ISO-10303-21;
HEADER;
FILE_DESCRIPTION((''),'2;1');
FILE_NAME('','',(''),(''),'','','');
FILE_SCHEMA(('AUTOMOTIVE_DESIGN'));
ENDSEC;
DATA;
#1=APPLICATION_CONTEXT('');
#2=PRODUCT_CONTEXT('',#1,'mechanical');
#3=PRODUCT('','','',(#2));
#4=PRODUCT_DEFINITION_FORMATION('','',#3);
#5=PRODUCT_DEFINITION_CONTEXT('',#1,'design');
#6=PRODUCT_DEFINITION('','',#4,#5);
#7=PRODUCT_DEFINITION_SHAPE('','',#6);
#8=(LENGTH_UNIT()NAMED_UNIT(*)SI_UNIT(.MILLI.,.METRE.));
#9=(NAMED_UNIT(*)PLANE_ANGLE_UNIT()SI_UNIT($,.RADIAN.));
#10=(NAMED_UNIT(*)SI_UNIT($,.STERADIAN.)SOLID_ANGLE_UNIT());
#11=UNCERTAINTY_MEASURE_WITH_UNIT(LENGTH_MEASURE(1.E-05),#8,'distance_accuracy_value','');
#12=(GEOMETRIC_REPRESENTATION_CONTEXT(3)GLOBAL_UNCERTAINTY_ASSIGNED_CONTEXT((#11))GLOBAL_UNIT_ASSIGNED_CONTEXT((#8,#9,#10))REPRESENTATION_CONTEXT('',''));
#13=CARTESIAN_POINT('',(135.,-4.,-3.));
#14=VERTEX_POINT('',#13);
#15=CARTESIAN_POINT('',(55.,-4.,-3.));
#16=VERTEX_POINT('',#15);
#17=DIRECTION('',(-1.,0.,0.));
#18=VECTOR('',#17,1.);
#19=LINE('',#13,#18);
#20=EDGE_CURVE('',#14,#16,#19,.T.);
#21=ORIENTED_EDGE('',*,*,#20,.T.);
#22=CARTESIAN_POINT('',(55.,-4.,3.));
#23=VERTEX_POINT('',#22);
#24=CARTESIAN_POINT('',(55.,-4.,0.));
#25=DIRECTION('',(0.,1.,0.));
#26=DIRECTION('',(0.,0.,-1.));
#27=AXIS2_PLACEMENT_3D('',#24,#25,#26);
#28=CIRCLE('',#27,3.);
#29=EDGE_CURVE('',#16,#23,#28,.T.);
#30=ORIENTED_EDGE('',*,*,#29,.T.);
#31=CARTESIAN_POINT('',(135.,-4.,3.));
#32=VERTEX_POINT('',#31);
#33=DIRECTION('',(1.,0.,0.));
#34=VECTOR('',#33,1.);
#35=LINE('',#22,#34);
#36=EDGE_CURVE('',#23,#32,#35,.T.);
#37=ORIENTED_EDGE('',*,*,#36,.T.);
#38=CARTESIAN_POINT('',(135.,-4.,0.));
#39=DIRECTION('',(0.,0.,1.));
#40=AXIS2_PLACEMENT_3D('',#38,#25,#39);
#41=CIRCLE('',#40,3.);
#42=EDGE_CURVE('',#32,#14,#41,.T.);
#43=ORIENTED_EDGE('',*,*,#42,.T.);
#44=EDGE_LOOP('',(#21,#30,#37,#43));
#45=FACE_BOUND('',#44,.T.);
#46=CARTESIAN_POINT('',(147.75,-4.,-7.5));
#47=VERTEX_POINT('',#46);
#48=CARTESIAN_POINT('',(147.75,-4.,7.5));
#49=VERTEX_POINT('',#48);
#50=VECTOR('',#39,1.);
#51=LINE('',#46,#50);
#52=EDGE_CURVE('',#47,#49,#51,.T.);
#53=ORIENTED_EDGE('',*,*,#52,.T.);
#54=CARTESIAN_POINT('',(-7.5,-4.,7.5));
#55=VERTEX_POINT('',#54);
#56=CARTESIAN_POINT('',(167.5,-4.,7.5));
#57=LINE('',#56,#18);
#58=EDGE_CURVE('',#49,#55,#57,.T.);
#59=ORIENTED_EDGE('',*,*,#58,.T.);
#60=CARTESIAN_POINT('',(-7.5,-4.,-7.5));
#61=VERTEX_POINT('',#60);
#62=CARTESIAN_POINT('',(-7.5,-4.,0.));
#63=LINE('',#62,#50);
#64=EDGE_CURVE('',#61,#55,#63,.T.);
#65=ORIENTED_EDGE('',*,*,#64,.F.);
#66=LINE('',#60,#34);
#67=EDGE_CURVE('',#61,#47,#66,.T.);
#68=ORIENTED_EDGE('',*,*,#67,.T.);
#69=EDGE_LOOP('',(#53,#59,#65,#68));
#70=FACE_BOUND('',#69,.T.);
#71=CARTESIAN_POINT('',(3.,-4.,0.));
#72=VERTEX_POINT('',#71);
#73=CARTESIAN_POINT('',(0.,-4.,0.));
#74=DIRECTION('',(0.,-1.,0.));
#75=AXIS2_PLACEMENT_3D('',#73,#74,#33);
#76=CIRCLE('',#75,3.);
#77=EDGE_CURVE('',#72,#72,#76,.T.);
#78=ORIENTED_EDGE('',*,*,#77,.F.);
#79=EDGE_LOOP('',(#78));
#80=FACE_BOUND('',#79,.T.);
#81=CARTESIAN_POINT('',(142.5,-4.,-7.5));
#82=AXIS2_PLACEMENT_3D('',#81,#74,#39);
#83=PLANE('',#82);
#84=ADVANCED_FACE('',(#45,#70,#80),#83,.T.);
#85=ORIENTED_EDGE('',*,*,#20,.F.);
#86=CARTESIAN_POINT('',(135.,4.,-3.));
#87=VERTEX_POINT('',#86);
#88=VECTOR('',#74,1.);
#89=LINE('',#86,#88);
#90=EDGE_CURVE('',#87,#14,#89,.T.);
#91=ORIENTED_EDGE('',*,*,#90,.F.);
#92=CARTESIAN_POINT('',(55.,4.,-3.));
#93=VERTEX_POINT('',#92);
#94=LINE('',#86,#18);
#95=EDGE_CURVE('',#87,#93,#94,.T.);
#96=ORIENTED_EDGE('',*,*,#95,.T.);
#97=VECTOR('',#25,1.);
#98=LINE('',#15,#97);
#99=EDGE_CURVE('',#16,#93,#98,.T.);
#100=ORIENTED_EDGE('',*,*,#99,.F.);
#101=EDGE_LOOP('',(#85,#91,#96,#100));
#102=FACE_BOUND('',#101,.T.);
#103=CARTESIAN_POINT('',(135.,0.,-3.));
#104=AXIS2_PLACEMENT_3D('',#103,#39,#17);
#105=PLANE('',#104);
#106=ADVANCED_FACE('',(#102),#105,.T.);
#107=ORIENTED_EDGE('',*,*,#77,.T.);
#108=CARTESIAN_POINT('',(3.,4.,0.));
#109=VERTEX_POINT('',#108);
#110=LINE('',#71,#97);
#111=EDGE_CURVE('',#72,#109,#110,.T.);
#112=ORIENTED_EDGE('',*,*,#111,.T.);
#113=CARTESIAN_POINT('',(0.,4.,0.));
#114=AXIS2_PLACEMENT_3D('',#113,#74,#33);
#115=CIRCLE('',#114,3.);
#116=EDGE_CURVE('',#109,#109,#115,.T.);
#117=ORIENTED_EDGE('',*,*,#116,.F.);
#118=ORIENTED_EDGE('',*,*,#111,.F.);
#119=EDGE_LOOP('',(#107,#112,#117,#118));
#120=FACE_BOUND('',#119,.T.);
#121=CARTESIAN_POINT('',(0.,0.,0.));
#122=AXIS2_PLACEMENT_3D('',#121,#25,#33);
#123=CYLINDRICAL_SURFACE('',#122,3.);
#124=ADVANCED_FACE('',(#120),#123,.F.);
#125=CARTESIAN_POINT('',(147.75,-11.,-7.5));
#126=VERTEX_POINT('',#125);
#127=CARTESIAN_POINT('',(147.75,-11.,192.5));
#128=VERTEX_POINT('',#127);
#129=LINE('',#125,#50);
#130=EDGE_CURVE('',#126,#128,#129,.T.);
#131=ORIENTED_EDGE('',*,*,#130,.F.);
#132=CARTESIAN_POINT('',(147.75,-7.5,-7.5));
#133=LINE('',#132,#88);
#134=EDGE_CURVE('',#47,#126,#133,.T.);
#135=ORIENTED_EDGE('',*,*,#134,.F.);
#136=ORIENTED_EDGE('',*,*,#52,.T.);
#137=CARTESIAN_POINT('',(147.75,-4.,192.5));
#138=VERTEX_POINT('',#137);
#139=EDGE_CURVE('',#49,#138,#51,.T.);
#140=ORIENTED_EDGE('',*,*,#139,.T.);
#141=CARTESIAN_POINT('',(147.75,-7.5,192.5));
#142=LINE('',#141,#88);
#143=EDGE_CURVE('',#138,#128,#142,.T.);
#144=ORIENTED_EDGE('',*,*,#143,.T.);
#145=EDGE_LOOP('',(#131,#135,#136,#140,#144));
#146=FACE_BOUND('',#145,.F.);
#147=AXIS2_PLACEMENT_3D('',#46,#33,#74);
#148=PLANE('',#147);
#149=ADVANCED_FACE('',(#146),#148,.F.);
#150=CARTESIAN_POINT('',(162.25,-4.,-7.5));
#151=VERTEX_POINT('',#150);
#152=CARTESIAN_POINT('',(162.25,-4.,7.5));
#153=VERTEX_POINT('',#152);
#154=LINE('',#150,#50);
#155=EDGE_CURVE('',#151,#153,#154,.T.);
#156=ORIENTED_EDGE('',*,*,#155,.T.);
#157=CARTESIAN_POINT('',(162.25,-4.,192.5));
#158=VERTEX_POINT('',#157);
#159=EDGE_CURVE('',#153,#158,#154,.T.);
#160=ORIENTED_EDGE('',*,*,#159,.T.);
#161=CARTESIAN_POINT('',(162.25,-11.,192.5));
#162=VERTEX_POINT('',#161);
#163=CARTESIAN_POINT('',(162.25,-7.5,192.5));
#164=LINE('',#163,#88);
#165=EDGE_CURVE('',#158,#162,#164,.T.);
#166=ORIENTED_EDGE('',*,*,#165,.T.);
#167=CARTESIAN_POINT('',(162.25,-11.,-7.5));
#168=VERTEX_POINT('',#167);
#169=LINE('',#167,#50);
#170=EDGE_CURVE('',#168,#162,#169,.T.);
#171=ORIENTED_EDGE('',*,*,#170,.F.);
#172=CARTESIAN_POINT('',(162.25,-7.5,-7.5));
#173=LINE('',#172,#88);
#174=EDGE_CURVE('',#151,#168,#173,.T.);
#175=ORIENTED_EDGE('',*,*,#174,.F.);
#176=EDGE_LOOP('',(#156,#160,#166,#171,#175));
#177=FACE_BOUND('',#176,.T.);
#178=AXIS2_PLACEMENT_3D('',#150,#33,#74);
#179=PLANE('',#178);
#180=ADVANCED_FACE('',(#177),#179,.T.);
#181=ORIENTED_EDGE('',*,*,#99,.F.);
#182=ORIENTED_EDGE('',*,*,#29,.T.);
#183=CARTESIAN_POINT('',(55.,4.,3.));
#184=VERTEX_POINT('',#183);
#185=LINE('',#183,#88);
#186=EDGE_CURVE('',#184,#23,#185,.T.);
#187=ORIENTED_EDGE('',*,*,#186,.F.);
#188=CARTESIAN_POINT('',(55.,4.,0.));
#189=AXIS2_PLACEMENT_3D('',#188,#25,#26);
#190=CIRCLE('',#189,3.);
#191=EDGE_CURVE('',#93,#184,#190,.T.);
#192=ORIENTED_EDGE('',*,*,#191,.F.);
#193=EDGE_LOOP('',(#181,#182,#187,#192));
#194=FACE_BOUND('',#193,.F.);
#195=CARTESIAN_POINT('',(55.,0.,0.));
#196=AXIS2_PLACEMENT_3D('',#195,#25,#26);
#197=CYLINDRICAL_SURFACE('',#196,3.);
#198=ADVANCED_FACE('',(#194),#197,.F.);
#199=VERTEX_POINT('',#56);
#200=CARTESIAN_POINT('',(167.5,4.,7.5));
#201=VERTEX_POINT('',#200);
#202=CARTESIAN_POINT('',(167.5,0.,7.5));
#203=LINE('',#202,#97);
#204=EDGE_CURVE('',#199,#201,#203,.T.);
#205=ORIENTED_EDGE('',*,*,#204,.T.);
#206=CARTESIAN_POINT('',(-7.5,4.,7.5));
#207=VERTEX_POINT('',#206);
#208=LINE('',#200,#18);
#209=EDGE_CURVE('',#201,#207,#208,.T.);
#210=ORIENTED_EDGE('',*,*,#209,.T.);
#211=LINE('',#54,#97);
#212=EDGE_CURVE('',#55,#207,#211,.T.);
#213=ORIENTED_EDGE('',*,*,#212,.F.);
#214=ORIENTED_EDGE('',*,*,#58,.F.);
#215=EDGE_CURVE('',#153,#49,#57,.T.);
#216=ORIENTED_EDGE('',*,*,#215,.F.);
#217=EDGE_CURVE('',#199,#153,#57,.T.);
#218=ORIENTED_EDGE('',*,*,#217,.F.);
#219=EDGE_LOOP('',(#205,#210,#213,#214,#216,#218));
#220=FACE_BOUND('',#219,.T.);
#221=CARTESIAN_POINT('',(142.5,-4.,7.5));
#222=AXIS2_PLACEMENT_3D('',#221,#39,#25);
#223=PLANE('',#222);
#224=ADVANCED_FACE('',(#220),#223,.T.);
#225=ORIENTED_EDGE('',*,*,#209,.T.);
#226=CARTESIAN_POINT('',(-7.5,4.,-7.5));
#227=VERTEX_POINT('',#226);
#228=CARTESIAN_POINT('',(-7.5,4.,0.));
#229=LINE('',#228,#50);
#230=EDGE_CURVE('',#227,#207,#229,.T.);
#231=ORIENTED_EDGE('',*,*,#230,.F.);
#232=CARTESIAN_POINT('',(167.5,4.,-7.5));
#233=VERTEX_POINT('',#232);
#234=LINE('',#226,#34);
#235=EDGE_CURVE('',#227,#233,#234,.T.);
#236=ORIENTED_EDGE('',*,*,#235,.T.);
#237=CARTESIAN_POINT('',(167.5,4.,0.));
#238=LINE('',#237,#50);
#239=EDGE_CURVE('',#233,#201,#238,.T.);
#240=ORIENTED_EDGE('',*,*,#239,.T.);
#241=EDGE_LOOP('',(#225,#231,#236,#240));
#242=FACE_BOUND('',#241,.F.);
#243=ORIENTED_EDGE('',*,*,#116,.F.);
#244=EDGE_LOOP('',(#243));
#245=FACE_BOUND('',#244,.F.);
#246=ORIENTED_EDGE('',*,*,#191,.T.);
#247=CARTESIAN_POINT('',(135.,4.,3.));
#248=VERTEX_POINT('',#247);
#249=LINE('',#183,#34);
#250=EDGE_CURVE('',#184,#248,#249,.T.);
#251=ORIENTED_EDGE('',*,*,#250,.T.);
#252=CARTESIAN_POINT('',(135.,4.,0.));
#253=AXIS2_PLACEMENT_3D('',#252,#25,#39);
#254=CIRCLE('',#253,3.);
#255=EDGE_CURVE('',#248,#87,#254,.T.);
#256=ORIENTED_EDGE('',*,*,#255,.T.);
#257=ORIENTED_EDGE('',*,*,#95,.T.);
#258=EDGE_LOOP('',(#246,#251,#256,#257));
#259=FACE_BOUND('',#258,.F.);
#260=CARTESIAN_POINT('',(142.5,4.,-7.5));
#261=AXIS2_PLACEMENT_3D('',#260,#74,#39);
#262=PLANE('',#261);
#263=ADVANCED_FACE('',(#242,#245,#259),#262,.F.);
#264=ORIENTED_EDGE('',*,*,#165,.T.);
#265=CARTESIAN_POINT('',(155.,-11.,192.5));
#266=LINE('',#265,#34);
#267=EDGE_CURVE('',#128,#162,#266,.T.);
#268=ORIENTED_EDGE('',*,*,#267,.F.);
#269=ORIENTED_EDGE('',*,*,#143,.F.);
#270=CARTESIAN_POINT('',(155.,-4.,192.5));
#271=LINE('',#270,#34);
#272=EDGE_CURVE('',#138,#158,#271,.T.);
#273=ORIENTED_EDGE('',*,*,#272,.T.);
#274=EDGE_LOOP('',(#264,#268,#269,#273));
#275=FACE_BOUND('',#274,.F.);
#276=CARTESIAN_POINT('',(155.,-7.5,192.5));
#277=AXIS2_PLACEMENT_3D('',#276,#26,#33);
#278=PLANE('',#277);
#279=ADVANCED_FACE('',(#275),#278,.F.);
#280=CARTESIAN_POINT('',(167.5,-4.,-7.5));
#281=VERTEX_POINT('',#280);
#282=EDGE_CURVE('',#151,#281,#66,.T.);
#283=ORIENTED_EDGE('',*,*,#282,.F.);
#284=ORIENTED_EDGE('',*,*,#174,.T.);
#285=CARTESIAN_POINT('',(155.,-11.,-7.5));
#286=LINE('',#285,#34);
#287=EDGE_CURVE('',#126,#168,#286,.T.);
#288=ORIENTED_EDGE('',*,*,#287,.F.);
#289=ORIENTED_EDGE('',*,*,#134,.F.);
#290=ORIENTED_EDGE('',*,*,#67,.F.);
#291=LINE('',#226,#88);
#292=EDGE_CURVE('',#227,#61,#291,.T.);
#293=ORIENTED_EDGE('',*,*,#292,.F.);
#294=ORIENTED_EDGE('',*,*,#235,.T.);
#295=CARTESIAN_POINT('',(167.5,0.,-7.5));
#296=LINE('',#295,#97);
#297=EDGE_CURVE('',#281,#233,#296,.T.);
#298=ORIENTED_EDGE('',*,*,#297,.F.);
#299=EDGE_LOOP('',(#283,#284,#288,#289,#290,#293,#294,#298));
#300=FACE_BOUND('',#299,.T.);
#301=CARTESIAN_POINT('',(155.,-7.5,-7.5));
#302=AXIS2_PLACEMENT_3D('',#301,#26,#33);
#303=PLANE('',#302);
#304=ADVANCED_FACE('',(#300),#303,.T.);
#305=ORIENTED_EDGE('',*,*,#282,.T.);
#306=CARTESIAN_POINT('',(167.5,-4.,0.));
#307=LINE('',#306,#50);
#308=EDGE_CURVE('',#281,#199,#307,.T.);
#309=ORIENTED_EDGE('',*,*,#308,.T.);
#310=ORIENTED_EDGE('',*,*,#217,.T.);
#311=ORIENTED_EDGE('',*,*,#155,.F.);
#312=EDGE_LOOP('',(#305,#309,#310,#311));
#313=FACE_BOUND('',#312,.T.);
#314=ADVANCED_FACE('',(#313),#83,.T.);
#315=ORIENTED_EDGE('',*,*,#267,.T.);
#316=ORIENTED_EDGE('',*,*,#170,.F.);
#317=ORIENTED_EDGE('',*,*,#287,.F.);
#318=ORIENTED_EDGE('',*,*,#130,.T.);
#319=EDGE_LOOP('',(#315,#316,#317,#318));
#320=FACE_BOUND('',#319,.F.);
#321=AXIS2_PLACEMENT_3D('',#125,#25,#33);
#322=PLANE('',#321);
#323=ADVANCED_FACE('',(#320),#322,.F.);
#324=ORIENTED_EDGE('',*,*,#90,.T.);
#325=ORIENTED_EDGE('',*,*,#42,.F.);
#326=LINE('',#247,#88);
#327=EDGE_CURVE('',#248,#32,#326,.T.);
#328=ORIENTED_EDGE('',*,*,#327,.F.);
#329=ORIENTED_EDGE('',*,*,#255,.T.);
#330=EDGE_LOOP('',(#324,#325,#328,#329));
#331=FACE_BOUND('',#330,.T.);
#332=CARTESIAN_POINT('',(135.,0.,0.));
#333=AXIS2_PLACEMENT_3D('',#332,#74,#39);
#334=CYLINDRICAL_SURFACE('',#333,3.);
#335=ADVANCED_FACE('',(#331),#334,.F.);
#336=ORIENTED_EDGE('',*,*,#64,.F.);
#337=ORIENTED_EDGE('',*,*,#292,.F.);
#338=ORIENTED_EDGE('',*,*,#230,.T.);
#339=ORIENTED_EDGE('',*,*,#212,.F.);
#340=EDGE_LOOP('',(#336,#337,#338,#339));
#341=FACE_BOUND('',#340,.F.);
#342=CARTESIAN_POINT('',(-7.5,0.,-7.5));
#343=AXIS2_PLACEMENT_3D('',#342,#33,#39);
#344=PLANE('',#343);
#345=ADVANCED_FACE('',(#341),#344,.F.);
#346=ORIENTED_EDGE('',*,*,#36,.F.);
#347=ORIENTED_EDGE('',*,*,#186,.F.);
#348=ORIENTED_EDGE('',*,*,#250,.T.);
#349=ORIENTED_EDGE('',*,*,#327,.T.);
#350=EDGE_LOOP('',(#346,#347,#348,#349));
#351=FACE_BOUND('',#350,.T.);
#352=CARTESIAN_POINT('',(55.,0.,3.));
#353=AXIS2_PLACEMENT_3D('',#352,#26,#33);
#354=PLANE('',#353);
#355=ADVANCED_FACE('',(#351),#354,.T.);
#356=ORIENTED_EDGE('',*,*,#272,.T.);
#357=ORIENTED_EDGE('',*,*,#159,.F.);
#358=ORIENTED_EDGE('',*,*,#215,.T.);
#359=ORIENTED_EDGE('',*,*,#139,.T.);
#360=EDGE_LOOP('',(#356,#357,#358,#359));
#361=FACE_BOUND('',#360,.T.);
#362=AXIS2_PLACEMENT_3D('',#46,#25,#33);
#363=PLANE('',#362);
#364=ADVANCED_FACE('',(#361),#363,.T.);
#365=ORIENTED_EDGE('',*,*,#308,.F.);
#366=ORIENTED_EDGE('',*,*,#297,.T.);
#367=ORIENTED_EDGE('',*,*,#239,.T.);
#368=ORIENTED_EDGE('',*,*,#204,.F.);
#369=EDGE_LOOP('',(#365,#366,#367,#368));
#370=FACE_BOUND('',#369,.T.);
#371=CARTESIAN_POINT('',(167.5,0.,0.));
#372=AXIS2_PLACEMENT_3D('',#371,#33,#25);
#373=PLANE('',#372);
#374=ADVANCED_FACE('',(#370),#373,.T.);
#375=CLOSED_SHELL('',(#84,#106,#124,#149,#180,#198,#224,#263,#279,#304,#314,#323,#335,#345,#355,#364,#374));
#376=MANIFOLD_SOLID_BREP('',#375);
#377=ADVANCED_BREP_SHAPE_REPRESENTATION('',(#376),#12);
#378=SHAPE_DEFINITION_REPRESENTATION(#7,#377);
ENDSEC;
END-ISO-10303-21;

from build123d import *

# Parameters (mm, degrees)
F0_W     = 150
F0_H     = 15
F0_R     = 3
F1_DEPTH = 4
F2_W     = 8
F2_H     = 15
F3_DEPTH = 25
F4_W     = 14.5
F4_H     = 7
F5_DEPTH = 200


with BuildPart() as f1:
    # F0 (on Front) → F1 (new body, symmetric)
    with BuildSketch(Plane.XZ):
        with Locations((67.5, 0)):
            Rectangle(F0_W, F0_H)
        Circle(F0_R, mode=Mode.SUBTRACT)
        with BuildLine():
            ThreePointArc((55, -3), (52, 0), (55, 3))
            Line((55, 3), (135, 3))
            ThreePointArc((135, 3), (138, 0), (135, -3))
            Line((135, -3), (55, -3))
        make_face(mode=Mode.SUBTRACT)
    extrude(amount=F1_DEPTH, both=True)

    # F2 (on face) → F3 (join)
    with BuildSketch(Plane.YZ.offset(142.5)):
        Rectangle(F2_W, F2_H)
    extrude(amount=F3_DEPTH)

    # F4 (on face) → F5 (join)
    with BuildSketch(Plane(origin=(0, 0, -7.5), x_dir=(1, 0, 0), z_dir=(0, 0, -1))):
        with Locations((155, 7.5)):
            Rectangle(F4_W, F4_H)
    extrude(amount=-F5_DEPTH)


solid = f1.part
